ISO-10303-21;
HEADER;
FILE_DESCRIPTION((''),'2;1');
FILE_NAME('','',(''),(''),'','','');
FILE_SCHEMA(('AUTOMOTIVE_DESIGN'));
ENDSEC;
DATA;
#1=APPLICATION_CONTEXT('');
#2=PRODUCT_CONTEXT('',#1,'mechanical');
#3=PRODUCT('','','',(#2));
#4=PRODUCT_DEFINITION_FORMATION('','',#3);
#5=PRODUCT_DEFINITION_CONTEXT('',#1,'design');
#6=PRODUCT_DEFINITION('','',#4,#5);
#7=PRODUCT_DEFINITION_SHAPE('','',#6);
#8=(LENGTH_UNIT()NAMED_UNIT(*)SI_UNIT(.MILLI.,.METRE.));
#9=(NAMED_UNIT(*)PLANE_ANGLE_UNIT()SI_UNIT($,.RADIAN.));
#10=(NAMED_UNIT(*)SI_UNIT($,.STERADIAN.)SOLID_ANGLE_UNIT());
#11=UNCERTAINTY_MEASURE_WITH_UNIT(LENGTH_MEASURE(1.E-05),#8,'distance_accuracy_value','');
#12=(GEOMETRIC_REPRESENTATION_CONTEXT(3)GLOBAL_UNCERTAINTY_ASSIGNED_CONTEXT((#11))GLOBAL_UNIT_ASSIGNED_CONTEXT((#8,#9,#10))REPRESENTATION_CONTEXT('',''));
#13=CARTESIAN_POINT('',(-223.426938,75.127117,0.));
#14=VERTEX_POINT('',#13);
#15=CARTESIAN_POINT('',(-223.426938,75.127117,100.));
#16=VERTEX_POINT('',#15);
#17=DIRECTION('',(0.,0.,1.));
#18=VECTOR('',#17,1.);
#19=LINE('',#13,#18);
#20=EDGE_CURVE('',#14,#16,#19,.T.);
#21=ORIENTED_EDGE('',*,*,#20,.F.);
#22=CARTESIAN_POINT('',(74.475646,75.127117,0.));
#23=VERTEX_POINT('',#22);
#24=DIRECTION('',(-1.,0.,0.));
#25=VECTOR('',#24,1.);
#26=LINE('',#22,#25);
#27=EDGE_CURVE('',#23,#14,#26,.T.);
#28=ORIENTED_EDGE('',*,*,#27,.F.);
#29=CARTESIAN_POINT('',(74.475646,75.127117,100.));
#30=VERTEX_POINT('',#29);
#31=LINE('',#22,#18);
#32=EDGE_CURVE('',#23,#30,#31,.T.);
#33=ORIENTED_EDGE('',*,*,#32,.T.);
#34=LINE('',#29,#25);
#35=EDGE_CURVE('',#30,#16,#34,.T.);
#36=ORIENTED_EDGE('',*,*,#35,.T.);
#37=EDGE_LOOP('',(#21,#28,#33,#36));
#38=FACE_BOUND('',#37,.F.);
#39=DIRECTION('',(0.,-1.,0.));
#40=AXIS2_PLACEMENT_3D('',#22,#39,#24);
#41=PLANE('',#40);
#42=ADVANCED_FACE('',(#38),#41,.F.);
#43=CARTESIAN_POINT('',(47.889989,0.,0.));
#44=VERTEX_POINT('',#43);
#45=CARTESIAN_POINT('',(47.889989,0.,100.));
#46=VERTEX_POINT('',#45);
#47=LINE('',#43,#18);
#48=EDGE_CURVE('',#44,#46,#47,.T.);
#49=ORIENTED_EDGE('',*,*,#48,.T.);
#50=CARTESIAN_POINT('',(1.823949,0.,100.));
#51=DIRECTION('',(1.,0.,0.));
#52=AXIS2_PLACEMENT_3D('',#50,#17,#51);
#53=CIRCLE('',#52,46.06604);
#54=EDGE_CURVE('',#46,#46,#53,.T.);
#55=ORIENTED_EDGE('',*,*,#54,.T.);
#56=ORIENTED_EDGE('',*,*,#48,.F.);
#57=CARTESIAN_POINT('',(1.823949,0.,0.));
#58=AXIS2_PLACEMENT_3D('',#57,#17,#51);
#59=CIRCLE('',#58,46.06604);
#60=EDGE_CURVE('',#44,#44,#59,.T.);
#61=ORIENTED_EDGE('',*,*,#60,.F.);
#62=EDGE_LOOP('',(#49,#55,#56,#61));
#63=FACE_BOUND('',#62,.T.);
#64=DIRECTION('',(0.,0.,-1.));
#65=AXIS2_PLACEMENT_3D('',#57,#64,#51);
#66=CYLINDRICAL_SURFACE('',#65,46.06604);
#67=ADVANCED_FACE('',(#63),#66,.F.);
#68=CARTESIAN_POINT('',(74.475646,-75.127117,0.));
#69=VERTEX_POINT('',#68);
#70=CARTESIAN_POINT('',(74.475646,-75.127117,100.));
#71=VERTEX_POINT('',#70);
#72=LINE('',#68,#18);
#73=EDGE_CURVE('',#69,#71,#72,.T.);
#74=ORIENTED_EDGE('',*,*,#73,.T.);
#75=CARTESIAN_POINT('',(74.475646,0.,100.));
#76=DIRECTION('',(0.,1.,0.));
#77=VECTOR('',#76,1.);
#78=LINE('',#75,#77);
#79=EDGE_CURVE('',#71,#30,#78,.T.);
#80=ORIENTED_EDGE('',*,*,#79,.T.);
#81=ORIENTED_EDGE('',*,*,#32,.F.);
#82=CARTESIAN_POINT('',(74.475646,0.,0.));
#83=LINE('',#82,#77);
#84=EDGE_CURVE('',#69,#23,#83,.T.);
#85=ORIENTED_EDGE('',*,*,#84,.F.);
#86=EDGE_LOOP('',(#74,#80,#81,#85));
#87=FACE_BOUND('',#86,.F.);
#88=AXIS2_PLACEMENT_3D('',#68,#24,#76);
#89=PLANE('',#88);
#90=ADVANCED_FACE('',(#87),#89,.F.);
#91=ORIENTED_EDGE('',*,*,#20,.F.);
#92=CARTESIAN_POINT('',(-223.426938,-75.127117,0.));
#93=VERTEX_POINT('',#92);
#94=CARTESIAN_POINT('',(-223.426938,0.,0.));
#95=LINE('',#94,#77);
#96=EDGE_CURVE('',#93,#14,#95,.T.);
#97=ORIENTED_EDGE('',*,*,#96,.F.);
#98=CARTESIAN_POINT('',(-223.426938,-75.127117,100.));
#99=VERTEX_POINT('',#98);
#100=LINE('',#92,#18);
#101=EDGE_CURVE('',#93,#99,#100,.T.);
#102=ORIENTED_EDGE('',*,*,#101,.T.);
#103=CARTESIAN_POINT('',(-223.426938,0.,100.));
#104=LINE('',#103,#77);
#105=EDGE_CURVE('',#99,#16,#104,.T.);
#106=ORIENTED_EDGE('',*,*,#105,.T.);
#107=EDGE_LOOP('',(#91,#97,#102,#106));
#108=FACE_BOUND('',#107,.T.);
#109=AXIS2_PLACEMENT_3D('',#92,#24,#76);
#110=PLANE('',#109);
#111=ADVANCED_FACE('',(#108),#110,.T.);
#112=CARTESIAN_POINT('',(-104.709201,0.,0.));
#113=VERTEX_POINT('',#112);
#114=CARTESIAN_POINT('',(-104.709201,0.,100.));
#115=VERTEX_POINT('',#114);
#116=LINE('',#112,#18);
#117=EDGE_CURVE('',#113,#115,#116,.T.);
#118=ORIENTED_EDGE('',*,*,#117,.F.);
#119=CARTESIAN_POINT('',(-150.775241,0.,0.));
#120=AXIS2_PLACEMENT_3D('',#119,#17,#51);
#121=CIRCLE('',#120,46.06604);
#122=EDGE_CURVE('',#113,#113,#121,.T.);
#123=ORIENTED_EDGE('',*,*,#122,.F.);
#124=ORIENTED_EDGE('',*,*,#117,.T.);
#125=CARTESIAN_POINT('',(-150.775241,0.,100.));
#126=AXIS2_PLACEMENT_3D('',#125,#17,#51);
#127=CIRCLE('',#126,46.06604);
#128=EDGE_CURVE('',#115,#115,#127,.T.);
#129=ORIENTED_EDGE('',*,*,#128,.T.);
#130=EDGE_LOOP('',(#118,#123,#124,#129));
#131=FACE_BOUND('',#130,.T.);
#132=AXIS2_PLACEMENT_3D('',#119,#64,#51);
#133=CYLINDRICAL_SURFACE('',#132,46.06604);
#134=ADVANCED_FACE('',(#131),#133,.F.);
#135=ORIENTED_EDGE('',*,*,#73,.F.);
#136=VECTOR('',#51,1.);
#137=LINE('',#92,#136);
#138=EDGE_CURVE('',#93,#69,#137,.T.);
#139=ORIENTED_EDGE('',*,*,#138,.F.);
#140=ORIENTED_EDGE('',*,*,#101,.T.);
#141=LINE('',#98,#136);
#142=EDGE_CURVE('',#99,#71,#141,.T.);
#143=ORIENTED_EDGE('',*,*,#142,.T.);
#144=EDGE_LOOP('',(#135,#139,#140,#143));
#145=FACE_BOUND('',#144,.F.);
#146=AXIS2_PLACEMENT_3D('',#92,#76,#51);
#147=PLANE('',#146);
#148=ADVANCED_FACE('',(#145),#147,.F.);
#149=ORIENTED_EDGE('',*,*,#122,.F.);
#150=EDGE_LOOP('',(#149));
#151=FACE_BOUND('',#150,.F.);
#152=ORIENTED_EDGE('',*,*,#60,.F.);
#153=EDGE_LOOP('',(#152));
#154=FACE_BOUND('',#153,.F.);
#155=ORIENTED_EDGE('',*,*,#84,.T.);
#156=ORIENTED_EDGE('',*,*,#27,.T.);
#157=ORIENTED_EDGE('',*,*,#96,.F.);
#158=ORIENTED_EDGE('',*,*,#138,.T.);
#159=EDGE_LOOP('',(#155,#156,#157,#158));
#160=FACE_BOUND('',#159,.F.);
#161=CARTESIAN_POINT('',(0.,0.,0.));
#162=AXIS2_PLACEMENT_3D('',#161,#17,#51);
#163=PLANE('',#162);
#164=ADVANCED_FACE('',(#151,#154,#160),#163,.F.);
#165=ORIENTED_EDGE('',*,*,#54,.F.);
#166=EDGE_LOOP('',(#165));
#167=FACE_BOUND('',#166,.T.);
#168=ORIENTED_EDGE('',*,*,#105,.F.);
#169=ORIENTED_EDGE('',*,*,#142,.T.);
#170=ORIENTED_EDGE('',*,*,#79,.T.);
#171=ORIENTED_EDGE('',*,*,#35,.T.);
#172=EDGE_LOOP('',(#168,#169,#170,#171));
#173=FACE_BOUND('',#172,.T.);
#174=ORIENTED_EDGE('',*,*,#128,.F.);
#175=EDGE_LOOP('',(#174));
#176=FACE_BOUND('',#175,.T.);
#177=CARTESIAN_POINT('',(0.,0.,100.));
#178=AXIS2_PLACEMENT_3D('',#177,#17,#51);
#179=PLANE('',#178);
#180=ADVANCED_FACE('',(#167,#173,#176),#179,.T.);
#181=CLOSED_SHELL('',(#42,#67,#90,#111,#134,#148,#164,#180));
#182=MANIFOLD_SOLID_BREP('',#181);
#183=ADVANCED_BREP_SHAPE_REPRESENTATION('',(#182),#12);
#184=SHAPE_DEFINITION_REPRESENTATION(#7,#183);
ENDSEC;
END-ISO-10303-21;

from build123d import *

# Parameters (mm, degrees)
F0_W     = 148.951292
F0_H     = 150.254234
F0_R     = 46.06604
F1_DEPTH = 100


with BuildPart() as f1:
    # F0 (on Top) → F1 (new body)
    with BuildSketch(Plane.XY):
        Rectangle(F0_W, F0_H)
        with Locations((1.823949, 0)):
            Circle(F0_R, mode=Mode.SUBTRACT)
        with Locations((-148.951292, 0)):
            Rectangle(F0_W, F0_H)
        with Locations((-150.775241, 0)):
            Circle(F0_R, mode=Mode.SUBTRACT)
    extrude(amount=F1_DEPTH)


solid = f1.part
